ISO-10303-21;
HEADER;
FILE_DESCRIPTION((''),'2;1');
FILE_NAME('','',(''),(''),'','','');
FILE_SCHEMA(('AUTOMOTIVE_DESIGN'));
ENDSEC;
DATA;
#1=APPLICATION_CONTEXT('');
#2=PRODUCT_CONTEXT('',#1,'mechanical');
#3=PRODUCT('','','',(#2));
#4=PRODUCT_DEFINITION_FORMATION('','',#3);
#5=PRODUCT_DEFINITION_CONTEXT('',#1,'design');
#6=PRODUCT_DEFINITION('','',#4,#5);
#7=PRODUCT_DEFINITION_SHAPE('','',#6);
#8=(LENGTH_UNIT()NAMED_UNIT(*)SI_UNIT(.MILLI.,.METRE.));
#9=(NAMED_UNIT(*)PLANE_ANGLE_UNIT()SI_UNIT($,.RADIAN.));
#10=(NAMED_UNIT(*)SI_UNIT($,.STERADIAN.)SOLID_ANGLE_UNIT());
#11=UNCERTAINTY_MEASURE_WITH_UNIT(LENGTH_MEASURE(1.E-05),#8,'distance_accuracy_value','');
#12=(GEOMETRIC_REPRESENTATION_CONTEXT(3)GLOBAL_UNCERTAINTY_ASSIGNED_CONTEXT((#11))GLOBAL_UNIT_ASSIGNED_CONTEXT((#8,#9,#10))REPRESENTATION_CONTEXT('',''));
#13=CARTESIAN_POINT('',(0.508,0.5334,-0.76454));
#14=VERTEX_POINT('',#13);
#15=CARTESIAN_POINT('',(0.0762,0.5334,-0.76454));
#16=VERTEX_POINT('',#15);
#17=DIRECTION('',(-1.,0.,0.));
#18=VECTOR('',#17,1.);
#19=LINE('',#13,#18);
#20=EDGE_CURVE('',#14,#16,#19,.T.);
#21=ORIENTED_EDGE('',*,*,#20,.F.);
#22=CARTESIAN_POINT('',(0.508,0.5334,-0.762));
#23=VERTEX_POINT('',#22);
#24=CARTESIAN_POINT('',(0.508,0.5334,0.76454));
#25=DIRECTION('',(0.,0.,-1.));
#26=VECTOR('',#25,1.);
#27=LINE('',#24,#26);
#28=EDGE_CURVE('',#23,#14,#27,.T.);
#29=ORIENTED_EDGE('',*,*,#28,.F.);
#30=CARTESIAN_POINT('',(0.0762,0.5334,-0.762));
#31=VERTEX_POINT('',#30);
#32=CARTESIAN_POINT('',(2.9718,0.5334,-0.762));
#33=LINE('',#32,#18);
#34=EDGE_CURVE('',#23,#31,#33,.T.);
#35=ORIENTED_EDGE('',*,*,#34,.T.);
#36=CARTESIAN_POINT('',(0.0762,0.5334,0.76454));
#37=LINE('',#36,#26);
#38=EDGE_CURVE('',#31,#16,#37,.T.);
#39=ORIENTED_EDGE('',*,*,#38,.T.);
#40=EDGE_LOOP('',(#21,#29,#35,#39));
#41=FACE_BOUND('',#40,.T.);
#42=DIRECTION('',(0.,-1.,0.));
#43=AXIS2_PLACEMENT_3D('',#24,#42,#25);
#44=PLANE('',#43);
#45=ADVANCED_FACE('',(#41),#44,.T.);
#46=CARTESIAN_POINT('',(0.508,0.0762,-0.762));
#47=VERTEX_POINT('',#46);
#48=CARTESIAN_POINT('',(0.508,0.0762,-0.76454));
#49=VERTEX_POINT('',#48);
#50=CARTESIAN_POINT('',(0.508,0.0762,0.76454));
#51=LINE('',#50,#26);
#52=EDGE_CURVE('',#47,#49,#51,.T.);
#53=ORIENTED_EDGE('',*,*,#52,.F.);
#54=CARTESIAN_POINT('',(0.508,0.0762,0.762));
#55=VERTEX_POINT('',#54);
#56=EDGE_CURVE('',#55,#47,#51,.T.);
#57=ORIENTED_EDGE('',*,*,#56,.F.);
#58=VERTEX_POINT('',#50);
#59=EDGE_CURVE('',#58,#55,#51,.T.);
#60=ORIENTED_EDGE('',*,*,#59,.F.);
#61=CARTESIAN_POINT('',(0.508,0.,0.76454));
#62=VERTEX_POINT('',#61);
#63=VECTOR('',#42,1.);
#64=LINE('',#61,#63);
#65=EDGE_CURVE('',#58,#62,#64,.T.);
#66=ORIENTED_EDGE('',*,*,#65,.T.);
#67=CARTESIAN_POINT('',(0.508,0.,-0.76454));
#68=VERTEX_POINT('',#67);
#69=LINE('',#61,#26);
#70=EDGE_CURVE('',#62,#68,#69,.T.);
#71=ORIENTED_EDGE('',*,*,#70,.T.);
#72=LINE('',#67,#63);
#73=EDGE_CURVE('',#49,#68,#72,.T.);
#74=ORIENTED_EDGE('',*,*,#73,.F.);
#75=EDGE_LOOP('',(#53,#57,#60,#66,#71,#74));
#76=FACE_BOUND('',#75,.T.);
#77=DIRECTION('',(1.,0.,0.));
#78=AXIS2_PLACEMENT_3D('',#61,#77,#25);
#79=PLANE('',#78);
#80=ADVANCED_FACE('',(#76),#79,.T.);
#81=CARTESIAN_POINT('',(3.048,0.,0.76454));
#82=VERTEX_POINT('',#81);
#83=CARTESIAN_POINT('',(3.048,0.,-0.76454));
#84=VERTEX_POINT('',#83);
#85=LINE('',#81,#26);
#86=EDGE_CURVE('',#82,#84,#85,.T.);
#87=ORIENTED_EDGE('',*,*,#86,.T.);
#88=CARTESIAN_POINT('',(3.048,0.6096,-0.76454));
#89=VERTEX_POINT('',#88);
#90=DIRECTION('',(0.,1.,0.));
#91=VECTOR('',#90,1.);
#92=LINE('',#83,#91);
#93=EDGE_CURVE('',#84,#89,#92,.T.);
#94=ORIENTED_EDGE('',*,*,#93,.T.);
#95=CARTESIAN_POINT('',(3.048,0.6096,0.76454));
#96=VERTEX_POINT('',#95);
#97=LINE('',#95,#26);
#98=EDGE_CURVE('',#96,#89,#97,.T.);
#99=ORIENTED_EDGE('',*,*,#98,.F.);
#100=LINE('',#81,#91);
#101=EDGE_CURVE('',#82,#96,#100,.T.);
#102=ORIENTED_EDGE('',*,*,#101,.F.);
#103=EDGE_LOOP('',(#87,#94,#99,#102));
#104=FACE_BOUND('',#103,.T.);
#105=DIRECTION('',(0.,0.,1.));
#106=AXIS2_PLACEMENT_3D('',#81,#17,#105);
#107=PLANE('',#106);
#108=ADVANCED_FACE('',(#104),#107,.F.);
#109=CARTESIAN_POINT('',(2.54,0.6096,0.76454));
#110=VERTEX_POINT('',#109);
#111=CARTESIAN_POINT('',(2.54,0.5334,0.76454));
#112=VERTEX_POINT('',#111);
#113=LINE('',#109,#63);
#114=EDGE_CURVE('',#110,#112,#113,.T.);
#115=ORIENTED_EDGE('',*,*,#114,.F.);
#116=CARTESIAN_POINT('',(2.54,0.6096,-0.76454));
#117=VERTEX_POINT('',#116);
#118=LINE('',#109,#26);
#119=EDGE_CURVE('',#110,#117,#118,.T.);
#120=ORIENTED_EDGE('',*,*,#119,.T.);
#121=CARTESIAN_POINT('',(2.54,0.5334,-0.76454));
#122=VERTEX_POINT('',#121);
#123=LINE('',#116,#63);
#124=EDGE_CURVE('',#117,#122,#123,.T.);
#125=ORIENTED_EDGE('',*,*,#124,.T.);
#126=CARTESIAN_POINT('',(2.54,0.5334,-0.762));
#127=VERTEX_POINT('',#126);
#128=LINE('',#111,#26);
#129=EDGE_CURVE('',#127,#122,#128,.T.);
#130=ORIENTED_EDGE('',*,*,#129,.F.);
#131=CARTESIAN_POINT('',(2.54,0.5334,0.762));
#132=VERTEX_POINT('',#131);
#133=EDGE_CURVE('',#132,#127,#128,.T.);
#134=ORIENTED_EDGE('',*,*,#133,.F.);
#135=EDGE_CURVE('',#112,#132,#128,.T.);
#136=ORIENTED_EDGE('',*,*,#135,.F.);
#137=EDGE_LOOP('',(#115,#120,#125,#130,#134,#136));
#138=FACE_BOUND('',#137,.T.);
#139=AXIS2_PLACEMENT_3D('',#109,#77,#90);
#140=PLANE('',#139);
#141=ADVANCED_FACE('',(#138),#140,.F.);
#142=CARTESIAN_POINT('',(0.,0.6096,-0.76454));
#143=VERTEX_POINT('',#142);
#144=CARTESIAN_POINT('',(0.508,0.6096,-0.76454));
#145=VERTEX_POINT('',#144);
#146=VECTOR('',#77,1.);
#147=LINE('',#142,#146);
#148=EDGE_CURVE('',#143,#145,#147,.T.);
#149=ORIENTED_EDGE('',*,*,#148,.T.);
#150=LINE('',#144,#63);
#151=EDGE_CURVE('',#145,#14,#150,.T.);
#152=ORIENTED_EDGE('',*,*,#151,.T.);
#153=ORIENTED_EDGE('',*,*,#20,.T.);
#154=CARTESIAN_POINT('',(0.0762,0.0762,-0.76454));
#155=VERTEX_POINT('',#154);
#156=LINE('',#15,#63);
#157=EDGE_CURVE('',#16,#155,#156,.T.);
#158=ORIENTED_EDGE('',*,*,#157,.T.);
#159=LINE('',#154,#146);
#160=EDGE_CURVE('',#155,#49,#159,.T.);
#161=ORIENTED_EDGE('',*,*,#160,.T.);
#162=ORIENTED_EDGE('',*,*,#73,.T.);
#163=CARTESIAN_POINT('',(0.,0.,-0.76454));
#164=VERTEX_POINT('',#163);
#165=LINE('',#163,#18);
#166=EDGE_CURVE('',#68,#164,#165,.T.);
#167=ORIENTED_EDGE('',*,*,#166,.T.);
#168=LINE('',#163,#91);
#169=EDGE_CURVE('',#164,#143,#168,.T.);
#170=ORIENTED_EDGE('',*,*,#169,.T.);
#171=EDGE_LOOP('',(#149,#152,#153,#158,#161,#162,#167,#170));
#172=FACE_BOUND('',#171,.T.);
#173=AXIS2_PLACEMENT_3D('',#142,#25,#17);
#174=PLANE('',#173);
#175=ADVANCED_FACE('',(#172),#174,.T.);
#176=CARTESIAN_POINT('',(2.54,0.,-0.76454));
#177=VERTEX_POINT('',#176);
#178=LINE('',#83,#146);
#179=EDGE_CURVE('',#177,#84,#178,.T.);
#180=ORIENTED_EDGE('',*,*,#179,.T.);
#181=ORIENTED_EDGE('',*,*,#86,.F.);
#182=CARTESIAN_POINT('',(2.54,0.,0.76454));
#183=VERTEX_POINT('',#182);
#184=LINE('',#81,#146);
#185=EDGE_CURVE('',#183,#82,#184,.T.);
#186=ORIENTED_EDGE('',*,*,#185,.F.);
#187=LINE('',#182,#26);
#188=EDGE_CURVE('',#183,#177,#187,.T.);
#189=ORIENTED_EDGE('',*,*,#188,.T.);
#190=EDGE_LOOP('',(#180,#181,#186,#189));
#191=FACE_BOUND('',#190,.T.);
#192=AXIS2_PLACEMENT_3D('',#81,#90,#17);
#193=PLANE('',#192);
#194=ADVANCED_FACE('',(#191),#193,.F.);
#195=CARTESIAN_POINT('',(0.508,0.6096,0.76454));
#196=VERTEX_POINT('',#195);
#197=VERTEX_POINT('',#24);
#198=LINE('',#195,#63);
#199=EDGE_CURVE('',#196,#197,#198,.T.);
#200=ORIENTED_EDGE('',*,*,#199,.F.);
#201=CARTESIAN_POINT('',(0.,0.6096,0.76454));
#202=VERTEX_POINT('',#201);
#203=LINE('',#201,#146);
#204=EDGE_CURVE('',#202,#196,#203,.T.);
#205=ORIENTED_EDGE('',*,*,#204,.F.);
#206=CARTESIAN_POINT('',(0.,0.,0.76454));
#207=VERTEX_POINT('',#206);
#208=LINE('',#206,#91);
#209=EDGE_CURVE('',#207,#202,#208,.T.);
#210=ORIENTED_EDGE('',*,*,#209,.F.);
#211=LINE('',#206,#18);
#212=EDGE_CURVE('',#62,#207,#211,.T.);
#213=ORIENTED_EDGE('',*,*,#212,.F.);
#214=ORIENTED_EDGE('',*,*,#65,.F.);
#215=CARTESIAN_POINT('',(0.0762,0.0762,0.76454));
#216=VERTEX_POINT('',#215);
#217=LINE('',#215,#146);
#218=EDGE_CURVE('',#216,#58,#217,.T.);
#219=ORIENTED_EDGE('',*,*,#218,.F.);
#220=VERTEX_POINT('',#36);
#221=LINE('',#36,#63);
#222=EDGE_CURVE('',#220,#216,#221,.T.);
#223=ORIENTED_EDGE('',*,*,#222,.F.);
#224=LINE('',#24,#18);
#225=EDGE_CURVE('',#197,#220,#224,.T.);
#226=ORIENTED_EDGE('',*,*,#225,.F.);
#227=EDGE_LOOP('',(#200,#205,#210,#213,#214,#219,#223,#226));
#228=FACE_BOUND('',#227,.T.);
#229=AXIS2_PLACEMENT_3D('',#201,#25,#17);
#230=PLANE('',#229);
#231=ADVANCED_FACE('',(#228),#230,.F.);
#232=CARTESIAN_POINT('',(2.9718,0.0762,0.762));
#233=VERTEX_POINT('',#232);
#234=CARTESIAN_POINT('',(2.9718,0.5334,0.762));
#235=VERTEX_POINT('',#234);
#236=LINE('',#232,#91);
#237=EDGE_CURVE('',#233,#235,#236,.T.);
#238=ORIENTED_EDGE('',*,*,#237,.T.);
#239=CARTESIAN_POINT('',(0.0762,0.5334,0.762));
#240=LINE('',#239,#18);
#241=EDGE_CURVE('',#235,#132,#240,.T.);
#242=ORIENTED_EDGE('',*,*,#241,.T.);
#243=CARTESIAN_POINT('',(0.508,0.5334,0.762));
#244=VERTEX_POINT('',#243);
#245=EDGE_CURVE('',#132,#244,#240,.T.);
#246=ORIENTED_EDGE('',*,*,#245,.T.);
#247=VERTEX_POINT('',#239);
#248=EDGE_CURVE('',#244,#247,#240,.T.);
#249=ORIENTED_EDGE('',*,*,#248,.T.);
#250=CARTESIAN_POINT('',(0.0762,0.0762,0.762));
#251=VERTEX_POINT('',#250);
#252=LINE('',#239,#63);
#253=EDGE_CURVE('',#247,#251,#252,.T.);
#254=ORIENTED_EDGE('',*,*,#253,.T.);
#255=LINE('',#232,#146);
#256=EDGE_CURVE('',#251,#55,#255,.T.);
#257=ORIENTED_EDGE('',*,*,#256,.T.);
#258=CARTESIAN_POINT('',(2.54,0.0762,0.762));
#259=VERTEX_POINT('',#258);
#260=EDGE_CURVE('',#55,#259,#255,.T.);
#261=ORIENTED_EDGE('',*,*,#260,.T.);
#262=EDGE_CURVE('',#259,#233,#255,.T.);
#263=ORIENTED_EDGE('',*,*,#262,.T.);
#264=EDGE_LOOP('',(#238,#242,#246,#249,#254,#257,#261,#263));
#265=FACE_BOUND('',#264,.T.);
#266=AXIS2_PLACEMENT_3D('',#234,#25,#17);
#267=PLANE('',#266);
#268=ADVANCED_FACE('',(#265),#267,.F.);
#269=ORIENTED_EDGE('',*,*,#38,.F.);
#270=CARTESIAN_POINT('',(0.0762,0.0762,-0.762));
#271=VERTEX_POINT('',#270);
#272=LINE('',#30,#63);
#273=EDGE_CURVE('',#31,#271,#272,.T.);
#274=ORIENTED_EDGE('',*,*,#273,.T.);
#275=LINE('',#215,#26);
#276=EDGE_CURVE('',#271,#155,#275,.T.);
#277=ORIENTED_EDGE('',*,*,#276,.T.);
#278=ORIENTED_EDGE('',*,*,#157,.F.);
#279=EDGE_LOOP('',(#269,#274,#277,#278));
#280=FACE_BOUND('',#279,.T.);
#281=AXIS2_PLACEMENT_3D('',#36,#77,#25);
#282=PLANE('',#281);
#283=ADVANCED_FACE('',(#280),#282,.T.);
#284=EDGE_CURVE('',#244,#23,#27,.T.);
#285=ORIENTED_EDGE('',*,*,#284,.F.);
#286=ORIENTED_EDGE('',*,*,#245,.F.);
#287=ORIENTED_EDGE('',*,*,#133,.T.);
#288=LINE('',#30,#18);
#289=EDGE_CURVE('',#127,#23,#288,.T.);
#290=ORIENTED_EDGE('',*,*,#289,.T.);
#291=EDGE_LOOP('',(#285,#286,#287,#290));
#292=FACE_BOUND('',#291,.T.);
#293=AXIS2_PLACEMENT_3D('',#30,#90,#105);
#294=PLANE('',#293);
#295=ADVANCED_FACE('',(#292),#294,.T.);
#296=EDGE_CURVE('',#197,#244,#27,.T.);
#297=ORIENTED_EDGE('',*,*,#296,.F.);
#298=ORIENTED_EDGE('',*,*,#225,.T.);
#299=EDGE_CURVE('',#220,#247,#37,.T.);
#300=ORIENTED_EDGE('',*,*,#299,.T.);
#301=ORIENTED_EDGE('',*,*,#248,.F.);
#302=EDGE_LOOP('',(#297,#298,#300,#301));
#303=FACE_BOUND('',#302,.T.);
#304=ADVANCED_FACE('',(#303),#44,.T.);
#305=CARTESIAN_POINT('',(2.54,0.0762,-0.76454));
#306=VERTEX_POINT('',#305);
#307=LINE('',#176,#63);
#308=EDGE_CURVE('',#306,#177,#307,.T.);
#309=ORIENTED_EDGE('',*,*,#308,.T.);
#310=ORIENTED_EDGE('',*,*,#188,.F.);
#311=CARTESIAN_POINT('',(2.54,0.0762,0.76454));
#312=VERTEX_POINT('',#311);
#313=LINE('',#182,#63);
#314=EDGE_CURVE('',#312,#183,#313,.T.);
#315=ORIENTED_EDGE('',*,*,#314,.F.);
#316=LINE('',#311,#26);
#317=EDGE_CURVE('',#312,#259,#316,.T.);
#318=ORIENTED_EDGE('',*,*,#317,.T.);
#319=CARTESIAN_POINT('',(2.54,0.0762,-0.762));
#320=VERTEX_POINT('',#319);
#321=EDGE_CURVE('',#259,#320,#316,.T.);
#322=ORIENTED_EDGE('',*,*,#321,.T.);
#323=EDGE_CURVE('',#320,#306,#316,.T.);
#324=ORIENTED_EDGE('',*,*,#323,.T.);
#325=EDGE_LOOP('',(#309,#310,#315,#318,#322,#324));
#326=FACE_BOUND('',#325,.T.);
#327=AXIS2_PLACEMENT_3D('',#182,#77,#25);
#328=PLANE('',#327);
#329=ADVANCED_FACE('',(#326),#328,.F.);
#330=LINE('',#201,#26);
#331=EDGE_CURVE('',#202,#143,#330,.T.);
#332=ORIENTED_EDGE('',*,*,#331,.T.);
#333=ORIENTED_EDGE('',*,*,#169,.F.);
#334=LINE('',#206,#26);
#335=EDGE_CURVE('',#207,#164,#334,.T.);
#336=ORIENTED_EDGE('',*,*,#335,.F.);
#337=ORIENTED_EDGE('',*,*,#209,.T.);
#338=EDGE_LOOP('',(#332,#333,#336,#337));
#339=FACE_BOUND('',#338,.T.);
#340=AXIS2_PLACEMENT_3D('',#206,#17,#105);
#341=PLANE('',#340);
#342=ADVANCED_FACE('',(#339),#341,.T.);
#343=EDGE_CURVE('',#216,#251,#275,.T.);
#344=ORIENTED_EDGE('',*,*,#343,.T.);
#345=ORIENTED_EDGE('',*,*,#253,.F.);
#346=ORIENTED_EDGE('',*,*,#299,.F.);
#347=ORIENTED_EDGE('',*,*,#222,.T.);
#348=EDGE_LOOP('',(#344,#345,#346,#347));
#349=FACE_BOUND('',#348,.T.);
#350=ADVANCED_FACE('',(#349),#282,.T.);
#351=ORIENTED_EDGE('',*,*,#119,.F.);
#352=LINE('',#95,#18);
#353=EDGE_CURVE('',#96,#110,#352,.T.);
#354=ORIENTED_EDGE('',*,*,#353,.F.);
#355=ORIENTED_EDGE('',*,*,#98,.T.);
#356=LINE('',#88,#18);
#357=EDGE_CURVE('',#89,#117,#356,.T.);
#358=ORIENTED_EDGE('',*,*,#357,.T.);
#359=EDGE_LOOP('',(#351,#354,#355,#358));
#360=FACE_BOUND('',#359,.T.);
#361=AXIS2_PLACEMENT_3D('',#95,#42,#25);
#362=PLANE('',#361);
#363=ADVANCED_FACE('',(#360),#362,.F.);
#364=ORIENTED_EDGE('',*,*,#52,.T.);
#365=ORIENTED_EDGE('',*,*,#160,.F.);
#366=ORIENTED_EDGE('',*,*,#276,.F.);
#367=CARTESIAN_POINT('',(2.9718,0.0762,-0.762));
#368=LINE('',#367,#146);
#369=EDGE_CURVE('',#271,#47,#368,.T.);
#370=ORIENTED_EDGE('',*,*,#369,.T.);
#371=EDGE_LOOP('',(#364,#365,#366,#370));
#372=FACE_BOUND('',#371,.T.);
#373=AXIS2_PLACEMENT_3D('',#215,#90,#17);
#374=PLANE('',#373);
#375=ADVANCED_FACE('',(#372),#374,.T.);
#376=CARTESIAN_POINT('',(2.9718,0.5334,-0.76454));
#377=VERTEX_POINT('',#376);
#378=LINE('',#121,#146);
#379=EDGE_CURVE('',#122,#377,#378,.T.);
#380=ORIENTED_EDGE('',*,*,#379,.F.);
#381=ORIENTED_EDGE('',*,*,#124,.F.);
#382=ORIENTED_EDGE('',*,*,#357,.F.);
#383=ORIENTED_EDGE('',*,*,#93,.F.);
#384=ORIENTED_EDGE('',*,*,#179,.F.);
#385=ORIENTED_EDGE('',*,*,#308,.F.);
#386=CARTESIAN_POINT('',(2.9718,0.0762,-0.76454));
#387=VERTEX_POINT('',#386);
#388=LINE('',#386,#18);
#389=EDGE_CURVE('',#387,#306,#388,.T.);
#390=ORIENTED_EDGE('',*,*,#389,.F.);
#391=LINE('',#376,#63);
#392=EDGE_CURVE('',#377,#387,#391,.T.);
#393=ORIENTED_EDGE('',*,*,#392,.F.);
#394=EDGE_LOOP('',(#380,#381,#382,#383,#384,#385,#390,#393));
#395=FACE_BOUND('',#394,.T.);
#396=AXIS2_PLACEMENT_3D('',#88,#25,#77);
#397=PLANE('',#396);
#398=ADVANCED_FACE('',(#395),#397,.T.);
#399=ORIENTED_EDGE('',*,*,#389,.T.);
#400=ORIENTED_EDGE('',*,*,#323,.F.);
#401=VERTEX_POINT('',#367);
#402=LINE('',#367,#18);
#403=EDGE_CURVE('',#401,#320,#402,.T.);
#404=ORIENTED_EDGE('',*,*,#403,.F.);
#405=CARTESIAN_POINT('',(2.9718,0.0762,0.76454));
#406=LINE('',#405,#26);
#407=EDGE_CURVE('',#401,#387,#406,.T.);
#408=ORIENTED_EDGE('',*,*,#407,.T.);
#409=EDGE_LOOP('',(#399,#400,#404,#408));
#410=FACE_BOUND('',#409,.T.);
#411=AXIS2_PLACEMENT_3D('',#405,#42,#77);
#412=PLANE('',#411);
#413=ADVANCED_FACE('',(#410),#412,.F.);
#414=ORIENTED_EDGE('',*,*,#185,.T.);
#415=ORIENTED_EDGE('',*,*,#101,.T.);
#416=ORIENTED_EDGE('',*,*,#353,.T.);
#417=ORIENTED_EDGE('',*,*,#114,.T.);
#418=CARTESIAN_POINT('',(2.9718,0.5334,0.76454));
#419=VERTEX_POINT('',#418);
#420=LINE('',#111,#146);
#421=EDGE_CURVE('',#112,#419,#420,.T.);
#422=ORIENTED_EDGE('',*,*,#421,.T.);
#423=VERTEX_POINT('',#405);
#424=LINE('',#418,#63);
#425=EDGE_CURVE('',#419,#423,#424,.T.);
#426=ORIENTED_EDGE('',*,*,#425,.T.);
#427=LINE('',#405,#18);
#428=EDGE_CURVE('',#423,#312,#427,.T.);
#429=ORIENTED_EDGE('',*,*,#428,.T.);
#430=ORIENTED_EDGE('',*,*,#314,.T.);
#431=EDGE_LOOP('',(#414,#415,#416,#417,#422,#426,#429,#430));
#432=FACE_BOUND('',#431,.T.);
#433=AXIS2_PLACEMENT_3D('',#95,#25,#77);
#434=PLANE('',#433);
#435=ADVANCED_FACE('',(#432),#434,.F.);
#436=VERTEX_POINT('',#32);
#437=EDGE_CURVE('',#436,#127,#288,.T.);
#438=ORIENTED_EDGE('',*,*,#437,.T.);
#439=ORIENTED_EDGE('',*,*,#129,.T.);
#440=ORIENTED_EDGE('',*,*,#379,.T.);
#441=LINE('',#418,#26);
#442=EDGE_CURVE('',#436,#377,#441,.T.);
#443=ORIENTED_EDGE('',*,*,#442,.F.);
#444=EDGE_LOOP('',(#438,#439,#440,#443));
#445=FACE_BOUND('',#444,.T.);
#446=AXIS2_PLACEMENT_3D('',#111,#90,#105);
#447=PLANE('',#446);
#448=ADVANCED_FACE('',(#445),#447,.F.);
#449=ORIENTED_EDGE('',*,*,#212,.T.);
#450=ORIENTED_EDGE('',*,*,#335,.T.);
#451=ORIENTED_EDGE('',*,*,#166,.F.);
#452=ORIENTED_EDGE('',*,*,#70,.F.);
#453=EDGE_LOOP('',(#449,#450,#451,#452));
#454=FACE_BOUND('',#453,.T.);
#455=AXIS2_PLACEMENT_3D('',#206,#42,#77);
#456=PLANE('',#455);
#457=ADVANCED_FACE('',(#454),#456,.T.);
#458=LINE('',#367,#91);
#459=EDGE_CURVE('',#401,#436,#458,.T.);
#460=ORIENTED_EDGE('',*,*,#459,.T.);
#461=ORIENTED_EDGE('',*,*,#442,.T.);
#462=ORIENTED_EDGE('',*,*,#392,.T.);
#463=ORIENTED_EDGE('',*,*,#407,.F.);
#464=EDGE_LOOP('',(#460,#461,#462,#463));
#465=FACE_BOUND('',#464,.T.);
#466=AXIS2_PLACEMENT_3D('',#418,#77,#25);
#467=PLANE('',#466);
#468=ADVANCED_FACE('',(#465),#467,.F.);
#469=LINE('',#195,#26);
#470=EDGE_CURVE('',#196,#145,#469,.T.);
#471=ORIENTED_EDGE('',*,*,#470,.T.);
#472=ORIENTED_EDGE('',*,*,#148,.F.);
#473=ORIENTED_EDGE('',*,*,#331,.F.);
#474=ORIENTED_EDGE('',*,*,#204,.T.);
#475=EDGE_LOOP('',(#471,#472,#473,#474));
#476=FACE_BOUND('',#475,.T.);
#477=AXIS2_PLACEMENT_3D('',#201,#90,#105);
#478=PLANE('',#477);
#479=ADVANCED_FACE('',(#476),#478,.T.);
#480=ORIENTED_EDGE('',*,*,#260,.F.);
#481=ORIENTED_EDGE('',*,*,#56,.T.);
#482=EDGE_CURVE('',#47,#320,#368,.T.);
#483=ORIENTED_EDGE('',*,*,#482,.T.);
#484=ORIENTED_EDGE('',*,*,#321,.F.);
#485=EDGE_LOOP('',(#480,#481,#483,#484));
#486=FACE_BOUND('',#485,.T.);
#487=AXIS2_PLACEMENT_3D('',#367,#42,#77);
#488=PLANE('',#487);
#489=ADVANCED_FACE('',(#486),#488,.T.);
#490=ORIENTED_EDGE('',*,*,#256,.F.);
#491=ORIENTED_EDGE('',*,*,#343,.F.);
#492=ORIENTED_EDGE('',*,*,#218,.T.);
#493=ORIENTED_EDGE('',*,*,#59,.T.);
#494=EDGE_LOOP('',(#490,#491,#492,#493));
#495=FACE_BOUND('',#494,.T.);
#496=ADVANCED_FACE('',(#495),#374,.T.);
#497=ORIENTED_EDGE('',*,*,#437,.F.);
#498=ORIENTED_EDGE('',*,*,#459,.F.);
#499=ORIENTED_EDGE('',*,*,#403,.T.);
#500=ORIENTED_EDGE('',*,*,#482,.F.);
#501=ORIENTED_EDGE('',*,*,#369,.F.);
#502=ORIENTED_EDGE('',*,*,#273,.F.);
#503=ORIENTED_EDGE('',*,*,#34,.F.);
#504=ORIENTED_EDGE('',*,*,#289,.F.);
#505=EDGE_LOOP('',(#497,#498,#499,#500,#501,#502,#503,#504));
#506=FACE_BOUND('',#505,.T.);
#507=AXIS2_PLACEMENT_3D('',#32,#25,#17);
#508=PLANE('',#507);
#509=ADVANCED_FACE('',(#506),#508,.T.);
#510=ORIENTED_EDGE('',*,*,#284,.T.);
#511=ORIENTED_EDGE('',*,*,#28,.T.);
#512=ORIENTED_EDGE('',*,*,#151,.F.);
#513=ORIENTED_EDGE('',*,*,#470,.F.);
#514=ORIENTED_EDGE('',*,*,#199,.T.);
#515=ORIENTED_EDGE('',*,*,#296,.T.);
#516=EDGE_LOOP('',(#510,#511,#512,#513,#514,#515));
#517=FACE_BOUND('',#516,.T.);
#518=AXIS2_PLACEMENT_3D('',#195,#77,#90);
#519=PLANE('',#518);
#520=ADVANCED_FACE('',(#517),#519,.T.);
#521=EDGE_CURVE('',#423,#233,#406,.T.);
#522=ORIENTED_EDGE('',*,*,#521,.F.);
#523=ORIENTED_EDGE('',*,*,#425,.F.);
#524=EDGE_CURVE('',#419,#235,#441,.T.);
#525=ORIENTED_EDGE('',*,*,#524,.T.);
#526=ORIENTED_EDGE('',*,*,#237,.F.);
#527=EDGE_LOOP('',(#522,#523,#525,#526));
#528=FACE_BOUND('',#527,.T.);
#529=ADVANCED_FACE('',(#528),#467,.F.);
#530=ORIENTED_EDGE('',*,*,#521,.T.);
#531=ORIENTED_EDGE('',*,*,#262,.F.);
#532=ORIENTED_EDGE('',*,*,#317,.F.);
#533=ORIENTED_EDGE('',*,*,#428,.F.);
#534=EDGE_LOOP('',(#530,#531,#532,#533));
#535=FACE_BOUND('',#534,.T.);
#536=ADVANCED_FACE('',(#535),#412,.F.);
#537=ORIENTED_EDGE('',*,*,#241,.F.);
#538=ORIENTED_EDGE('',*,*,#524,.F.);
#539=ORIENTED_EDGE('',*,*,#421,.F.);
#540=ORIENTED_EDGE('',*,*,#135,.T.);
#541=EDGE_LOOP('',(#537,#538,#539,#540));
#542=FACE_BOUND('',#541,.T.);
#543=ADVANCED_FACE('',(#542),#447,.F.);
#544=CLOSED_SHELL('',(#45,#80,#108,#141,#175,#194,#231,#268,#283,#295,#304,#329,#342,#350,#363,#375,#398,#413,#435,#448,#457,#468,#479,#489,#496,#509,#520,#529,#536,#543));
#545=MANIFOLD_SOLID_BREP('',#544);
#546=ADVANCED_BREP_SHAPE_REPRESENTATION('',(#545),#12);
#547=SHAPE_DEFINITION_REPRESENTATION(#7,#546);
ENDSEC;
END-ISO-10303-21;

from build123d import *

# Parameters (mm, degrees)
SKETCH1_W           = 2.8956
SKETCH1_H           = 0.4572
BASE_EXTRUDE_DEPTH  = 0.762
BOSS_EXTRUDE1_DEPTH = 1.52908


with BuildPart() as part:
    # Sketch1 → Base-Extrude (new body, symmetric)
    with BuildSketch(Plane.XY):
        with Locations((1.524, 0.3048)):
            Rectangle(SKETCH1_W, SKETCH1_H)
    extrude(amount=BASE_EXTRUDE_DEPTH, both=True)

    # Sketch2 → Boss-Extrude1 (add)
    with BuildSketch(Plane(origin=(0, 0, -0.76454), x_dir=(-1, 0, 0), z_dir=(0, 0, -1))):
        Polygon((0, 0), (-0.508, 0), (-0.508, 0.0762), (-0.0762, 0.0762), (-0.0762, 0.5334), (-0.508, 0.5334), (-0.508, 0.6096), (0, 0.6096), align=None)
    boss_extrude1 = extrude(amount=-BOSS_EXTRUDE1_DEPTH)

    # Mirror1: Boss-Extrude1 across plane
    add(boss_extrude1.mirror(Plane(origin=(1.524, 0, 0), x_dir=(0, 0, 1), z_dir=(1, 0, 0))))


solid = part.part
